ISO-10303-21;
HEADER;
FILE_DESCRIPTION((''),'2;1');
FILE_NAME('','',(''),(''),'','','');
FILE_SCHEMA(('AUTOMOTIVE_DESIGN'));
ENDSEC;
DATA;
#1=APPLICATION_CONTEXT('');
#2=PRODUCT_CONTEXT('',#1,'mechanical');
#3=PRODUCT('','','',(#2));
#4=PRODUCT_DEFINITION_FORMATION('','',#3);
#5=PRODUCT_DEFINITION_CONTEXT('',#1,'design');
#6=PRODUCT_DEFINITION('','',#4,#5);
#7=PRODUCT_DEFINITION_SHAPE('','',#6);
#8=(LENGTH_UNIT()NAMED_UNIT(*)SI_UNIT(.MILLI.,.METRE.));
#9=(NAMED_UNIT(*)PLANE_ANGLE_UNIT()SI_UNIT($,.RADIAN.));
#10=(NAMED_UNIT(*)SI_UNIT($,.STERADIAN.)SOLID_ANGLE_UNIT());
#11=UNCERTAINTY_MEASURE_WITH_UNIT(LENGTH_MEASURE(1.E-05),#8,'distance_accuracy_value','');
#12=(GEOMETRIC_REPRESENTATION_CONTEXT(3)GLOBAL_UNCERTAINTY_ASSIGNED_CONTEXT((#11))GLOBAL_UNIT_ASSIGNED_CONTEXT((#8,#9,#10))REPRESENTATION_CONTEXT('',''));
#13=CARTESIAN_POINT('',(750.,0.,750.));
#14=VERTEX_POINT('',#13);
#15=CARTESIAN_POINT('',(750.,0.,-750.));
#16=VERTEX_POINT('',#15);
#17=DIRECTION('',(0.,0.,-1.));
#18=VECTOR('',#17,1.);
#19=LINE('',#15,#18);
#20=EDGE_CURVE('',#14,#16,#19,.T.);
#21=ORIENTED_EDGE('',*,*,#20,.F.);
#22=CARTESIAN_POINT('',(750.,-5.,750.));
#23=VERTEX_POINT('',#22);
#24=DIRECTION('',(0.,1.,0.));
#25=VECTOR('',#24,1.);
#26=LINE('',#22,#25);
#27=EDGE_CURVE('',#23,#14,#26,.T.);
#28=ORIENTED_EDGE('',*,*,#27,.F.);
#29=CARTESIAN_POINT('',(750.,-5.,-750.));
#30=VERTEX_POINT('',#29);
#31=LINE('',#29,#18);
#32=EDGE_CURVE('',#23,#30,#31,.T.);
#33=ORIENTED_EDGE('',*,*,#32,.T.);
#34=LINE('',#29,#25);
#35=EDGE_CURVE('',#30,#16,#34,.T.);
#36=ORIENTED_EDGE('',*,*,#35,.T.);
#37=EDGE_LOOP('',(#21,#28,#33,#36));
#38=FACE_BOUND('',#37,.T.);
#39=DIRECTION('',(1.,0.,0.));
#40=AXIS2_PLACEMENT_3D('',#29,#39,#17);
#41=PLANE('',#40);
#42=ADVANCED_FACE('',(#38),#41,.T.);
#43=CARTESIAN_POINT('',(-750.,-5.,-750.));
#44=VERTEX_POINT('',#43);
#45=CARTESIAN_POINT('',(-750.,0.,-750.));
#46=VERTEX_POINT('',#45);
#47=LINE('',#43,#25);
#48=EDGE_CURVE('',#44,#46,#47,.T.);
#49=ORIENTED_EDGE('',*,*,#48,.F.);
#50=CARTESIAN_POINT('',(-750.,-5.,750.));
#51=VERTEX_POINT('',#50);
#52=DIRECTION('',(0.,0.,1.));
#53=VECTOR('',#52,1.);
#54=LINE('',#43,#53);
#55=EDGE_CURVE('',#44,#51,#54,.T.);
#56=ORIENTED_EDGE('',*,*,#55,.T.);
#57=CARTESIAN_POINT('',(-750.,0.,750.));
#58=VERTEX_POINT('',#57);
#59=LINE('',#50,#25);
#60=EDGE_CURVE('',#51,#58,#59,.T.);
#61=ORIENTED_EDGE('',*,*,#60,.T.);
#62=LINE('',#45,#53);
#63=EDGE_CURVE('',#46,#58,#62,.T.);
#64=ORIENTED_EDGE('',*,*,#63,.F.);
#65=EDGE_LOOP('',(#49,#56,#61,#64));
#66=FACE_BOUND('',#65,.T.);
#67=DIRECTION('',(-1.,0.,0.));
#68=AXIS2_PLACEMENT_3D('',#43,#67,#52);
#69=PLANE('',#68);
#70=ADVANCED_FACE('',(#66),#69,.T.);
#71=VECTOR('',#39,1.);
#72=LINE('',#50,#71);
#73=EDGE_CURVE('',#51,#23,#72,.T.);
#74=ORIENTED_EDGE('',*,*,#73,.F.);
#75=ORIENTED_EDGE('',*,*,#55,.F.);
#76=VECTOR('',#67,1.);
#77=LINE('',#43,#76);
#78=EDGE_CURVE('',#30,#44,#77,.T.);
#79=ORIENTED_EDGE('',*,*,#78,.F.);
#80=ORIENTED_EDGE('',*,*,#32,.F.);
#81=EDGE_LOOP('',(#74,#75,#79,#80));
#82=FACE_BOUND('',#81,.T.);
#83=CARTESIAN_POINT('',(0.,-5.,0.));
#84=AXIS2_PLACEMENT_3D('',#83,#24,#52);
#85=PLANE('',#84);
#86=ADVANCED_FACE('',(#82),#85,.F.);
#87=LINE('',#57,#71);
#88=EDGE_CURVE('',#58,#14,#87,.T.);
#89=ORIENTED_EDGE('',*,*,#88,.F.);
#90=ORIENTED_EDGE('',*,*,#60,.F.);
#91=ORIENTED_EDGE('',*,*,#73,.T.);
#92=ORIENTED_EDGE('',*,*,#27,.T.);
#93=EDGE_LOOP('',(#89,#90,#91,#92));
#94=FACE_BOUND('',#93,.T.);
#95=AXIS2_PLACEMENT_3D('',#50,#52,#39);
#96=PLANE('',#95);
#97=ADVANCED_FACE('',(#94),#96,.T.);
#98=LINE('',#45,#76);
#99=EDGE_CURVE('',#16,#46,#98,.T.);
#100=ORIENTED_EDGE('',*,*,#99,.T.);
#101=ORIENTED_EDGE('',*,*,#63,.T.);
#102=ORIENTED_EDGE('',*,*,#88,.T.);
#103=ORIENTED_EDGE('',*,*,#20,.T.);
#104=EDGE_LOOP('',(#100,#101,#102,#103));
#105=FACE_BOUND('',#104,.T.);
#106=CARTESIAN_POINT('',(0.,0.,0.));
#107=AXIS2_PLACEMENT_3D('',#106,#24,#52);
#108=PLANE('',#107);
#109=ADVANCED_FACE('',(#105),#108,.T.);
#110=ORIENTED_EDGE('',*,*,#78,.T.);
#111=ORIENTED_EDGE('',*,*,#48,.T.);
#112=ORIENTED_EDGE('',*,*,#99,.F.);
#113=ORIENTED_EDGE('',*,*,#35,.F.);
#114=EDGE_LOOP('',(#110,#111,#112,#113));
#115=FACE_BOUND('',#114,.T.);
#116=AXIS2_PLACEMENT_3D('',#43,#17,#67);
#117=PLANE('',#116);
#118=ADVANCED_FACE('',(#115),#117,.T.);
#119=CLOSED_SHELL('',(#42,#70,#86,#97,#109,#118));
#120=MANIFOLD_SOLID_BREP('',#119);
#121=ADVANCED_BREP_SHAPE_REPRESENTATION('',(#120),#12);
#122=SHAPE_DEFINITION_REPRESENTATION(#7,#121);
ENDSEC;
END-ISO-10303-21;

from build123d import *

# Parameters (mm, degrees)
SKETCH1_W           = 1500
SKETCH1_H           = 1500
BOSS_EXTRUDE1_DEPTH = 5


with BuildPart() as part:
    # Sketch1 → Boss-Extrude1 (new body)
    with BuildSketch(Plane(origin=(0, 0, 0), x_dir=(1, 0, 0), z_dir=(0, 1, 0))):
        Rectangle(SKETCH1_W, SKETCH1_H)
    extrude(amount=-BOSS_EXTRUDE1_DEPTH)


solid = part.part
